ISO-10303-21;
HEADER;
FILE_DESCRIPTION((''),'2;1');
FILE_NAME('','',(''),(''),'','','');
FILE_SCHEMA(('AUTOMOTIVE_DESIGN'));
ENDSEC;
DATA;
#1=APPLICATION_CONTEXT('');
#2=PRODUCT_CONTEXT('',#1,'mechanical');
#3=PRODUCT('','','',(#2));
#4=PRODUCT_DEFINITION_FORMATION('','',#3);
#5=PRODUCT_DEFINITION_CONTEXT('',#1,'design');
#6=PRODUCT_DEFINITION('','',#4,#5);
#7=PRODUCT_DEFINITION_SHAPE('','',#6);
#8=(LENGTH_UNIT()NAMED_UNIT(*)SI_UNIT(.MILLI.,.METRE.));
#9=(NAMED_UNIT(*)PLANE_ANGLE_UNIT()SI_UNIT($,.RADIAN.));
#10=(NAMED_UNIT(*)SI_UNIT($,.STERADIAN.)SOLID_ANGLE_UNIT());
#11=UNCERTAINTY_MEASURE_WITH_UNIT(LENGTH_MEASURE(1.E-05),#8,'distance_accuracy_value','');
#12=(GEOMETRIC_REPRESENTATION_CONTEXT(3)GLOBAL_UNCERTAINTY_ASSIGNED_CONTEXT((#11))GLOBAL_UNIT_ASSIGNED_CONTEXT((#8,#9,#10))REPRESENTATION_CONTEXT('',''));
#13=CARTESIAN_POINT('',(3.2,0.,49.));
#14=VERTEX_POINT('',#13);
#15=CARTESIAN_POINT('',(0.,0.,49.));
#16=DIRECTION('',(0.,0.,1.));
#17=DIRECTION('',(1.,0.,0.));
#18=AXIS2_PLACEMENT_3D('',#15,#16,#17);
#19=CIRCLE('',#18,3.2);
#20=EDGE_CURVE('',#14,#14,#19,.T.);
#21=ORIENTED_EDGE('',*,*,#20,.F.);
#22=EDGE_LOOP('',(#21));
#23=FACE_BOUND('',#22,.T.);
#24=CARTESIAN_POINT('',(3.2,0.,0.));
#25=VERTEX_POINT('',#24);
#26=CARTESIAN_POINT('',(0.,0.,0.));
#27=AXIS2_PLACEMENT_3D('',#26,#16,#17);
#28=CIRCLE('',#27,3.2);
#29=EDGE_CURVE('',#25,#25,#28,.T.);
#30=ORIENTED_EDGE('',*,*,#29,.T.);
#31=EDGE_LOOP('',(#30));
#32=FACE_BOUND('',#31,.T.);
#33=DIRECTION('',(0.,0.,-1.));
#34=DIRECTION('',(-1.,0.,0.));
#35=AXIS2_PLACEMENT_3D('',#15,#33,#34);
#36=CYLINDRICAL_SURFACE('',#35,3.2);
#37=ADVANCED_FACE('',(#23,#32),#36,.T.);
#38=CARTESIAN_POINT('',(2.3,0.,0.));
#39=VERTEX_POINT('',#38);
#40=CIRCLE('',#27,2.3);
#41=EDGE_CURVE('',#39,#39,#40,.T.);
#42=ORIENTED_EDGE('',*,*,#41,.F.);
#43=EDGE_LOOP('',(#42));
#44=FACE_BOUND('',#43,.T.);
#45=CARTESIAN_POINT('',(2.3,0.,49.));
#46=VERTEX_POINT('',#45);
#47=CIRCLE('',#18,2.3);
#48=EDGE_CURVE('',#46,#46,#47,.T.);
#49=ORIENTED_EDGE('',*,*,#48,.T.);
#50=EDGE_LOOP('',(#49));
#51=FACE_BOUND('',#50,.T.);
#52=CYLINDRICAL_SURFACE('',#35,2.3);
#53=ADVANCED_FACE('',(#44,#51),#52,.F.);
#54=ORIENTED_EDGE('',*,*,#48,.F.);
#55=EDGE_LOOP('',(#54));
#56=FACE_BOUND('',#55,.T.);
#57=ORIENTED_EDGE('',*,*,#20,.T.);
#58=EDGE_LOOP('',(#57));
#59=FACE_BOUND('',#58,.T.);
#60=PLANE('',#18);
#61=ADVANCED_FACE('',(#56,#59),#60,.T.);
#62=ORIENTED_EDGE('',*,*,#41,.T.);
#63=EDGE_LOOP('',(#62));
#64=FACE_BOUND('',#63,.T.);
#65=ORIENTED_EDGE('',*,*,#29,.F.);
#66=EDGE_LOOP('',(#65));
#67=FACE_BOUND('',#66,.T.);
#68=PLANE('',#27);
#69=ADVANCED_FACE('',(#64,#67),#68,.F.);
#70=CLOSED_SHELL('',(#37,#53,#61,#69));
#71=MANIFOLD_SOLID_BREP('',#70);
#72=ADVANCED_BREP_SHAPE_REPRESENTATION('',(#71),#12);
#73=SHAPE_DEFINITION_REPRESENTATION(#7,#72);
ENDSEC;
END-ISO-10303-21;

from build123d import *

# Parameters (mm, degrees)
SCHIZZO1_R                = 3.2
SCHIZZO1_R_2              = 2.3
ESTRUSIONE_SOTTILE1_DEPTH = 49


with BuildPart() as part:
    # Schizzo1 → Estrusione-Sottile1 (new body)
    with BuildSketch(Plane.XY):
        Circle(SCHIZZO1_R)
        Circle(SCHIZZO1_R_2, mode=Mode.SUBTRACT)
    extrude(amount=ESTRUSIONE_SOTTILE1_DEPTH)


solid = part.part
